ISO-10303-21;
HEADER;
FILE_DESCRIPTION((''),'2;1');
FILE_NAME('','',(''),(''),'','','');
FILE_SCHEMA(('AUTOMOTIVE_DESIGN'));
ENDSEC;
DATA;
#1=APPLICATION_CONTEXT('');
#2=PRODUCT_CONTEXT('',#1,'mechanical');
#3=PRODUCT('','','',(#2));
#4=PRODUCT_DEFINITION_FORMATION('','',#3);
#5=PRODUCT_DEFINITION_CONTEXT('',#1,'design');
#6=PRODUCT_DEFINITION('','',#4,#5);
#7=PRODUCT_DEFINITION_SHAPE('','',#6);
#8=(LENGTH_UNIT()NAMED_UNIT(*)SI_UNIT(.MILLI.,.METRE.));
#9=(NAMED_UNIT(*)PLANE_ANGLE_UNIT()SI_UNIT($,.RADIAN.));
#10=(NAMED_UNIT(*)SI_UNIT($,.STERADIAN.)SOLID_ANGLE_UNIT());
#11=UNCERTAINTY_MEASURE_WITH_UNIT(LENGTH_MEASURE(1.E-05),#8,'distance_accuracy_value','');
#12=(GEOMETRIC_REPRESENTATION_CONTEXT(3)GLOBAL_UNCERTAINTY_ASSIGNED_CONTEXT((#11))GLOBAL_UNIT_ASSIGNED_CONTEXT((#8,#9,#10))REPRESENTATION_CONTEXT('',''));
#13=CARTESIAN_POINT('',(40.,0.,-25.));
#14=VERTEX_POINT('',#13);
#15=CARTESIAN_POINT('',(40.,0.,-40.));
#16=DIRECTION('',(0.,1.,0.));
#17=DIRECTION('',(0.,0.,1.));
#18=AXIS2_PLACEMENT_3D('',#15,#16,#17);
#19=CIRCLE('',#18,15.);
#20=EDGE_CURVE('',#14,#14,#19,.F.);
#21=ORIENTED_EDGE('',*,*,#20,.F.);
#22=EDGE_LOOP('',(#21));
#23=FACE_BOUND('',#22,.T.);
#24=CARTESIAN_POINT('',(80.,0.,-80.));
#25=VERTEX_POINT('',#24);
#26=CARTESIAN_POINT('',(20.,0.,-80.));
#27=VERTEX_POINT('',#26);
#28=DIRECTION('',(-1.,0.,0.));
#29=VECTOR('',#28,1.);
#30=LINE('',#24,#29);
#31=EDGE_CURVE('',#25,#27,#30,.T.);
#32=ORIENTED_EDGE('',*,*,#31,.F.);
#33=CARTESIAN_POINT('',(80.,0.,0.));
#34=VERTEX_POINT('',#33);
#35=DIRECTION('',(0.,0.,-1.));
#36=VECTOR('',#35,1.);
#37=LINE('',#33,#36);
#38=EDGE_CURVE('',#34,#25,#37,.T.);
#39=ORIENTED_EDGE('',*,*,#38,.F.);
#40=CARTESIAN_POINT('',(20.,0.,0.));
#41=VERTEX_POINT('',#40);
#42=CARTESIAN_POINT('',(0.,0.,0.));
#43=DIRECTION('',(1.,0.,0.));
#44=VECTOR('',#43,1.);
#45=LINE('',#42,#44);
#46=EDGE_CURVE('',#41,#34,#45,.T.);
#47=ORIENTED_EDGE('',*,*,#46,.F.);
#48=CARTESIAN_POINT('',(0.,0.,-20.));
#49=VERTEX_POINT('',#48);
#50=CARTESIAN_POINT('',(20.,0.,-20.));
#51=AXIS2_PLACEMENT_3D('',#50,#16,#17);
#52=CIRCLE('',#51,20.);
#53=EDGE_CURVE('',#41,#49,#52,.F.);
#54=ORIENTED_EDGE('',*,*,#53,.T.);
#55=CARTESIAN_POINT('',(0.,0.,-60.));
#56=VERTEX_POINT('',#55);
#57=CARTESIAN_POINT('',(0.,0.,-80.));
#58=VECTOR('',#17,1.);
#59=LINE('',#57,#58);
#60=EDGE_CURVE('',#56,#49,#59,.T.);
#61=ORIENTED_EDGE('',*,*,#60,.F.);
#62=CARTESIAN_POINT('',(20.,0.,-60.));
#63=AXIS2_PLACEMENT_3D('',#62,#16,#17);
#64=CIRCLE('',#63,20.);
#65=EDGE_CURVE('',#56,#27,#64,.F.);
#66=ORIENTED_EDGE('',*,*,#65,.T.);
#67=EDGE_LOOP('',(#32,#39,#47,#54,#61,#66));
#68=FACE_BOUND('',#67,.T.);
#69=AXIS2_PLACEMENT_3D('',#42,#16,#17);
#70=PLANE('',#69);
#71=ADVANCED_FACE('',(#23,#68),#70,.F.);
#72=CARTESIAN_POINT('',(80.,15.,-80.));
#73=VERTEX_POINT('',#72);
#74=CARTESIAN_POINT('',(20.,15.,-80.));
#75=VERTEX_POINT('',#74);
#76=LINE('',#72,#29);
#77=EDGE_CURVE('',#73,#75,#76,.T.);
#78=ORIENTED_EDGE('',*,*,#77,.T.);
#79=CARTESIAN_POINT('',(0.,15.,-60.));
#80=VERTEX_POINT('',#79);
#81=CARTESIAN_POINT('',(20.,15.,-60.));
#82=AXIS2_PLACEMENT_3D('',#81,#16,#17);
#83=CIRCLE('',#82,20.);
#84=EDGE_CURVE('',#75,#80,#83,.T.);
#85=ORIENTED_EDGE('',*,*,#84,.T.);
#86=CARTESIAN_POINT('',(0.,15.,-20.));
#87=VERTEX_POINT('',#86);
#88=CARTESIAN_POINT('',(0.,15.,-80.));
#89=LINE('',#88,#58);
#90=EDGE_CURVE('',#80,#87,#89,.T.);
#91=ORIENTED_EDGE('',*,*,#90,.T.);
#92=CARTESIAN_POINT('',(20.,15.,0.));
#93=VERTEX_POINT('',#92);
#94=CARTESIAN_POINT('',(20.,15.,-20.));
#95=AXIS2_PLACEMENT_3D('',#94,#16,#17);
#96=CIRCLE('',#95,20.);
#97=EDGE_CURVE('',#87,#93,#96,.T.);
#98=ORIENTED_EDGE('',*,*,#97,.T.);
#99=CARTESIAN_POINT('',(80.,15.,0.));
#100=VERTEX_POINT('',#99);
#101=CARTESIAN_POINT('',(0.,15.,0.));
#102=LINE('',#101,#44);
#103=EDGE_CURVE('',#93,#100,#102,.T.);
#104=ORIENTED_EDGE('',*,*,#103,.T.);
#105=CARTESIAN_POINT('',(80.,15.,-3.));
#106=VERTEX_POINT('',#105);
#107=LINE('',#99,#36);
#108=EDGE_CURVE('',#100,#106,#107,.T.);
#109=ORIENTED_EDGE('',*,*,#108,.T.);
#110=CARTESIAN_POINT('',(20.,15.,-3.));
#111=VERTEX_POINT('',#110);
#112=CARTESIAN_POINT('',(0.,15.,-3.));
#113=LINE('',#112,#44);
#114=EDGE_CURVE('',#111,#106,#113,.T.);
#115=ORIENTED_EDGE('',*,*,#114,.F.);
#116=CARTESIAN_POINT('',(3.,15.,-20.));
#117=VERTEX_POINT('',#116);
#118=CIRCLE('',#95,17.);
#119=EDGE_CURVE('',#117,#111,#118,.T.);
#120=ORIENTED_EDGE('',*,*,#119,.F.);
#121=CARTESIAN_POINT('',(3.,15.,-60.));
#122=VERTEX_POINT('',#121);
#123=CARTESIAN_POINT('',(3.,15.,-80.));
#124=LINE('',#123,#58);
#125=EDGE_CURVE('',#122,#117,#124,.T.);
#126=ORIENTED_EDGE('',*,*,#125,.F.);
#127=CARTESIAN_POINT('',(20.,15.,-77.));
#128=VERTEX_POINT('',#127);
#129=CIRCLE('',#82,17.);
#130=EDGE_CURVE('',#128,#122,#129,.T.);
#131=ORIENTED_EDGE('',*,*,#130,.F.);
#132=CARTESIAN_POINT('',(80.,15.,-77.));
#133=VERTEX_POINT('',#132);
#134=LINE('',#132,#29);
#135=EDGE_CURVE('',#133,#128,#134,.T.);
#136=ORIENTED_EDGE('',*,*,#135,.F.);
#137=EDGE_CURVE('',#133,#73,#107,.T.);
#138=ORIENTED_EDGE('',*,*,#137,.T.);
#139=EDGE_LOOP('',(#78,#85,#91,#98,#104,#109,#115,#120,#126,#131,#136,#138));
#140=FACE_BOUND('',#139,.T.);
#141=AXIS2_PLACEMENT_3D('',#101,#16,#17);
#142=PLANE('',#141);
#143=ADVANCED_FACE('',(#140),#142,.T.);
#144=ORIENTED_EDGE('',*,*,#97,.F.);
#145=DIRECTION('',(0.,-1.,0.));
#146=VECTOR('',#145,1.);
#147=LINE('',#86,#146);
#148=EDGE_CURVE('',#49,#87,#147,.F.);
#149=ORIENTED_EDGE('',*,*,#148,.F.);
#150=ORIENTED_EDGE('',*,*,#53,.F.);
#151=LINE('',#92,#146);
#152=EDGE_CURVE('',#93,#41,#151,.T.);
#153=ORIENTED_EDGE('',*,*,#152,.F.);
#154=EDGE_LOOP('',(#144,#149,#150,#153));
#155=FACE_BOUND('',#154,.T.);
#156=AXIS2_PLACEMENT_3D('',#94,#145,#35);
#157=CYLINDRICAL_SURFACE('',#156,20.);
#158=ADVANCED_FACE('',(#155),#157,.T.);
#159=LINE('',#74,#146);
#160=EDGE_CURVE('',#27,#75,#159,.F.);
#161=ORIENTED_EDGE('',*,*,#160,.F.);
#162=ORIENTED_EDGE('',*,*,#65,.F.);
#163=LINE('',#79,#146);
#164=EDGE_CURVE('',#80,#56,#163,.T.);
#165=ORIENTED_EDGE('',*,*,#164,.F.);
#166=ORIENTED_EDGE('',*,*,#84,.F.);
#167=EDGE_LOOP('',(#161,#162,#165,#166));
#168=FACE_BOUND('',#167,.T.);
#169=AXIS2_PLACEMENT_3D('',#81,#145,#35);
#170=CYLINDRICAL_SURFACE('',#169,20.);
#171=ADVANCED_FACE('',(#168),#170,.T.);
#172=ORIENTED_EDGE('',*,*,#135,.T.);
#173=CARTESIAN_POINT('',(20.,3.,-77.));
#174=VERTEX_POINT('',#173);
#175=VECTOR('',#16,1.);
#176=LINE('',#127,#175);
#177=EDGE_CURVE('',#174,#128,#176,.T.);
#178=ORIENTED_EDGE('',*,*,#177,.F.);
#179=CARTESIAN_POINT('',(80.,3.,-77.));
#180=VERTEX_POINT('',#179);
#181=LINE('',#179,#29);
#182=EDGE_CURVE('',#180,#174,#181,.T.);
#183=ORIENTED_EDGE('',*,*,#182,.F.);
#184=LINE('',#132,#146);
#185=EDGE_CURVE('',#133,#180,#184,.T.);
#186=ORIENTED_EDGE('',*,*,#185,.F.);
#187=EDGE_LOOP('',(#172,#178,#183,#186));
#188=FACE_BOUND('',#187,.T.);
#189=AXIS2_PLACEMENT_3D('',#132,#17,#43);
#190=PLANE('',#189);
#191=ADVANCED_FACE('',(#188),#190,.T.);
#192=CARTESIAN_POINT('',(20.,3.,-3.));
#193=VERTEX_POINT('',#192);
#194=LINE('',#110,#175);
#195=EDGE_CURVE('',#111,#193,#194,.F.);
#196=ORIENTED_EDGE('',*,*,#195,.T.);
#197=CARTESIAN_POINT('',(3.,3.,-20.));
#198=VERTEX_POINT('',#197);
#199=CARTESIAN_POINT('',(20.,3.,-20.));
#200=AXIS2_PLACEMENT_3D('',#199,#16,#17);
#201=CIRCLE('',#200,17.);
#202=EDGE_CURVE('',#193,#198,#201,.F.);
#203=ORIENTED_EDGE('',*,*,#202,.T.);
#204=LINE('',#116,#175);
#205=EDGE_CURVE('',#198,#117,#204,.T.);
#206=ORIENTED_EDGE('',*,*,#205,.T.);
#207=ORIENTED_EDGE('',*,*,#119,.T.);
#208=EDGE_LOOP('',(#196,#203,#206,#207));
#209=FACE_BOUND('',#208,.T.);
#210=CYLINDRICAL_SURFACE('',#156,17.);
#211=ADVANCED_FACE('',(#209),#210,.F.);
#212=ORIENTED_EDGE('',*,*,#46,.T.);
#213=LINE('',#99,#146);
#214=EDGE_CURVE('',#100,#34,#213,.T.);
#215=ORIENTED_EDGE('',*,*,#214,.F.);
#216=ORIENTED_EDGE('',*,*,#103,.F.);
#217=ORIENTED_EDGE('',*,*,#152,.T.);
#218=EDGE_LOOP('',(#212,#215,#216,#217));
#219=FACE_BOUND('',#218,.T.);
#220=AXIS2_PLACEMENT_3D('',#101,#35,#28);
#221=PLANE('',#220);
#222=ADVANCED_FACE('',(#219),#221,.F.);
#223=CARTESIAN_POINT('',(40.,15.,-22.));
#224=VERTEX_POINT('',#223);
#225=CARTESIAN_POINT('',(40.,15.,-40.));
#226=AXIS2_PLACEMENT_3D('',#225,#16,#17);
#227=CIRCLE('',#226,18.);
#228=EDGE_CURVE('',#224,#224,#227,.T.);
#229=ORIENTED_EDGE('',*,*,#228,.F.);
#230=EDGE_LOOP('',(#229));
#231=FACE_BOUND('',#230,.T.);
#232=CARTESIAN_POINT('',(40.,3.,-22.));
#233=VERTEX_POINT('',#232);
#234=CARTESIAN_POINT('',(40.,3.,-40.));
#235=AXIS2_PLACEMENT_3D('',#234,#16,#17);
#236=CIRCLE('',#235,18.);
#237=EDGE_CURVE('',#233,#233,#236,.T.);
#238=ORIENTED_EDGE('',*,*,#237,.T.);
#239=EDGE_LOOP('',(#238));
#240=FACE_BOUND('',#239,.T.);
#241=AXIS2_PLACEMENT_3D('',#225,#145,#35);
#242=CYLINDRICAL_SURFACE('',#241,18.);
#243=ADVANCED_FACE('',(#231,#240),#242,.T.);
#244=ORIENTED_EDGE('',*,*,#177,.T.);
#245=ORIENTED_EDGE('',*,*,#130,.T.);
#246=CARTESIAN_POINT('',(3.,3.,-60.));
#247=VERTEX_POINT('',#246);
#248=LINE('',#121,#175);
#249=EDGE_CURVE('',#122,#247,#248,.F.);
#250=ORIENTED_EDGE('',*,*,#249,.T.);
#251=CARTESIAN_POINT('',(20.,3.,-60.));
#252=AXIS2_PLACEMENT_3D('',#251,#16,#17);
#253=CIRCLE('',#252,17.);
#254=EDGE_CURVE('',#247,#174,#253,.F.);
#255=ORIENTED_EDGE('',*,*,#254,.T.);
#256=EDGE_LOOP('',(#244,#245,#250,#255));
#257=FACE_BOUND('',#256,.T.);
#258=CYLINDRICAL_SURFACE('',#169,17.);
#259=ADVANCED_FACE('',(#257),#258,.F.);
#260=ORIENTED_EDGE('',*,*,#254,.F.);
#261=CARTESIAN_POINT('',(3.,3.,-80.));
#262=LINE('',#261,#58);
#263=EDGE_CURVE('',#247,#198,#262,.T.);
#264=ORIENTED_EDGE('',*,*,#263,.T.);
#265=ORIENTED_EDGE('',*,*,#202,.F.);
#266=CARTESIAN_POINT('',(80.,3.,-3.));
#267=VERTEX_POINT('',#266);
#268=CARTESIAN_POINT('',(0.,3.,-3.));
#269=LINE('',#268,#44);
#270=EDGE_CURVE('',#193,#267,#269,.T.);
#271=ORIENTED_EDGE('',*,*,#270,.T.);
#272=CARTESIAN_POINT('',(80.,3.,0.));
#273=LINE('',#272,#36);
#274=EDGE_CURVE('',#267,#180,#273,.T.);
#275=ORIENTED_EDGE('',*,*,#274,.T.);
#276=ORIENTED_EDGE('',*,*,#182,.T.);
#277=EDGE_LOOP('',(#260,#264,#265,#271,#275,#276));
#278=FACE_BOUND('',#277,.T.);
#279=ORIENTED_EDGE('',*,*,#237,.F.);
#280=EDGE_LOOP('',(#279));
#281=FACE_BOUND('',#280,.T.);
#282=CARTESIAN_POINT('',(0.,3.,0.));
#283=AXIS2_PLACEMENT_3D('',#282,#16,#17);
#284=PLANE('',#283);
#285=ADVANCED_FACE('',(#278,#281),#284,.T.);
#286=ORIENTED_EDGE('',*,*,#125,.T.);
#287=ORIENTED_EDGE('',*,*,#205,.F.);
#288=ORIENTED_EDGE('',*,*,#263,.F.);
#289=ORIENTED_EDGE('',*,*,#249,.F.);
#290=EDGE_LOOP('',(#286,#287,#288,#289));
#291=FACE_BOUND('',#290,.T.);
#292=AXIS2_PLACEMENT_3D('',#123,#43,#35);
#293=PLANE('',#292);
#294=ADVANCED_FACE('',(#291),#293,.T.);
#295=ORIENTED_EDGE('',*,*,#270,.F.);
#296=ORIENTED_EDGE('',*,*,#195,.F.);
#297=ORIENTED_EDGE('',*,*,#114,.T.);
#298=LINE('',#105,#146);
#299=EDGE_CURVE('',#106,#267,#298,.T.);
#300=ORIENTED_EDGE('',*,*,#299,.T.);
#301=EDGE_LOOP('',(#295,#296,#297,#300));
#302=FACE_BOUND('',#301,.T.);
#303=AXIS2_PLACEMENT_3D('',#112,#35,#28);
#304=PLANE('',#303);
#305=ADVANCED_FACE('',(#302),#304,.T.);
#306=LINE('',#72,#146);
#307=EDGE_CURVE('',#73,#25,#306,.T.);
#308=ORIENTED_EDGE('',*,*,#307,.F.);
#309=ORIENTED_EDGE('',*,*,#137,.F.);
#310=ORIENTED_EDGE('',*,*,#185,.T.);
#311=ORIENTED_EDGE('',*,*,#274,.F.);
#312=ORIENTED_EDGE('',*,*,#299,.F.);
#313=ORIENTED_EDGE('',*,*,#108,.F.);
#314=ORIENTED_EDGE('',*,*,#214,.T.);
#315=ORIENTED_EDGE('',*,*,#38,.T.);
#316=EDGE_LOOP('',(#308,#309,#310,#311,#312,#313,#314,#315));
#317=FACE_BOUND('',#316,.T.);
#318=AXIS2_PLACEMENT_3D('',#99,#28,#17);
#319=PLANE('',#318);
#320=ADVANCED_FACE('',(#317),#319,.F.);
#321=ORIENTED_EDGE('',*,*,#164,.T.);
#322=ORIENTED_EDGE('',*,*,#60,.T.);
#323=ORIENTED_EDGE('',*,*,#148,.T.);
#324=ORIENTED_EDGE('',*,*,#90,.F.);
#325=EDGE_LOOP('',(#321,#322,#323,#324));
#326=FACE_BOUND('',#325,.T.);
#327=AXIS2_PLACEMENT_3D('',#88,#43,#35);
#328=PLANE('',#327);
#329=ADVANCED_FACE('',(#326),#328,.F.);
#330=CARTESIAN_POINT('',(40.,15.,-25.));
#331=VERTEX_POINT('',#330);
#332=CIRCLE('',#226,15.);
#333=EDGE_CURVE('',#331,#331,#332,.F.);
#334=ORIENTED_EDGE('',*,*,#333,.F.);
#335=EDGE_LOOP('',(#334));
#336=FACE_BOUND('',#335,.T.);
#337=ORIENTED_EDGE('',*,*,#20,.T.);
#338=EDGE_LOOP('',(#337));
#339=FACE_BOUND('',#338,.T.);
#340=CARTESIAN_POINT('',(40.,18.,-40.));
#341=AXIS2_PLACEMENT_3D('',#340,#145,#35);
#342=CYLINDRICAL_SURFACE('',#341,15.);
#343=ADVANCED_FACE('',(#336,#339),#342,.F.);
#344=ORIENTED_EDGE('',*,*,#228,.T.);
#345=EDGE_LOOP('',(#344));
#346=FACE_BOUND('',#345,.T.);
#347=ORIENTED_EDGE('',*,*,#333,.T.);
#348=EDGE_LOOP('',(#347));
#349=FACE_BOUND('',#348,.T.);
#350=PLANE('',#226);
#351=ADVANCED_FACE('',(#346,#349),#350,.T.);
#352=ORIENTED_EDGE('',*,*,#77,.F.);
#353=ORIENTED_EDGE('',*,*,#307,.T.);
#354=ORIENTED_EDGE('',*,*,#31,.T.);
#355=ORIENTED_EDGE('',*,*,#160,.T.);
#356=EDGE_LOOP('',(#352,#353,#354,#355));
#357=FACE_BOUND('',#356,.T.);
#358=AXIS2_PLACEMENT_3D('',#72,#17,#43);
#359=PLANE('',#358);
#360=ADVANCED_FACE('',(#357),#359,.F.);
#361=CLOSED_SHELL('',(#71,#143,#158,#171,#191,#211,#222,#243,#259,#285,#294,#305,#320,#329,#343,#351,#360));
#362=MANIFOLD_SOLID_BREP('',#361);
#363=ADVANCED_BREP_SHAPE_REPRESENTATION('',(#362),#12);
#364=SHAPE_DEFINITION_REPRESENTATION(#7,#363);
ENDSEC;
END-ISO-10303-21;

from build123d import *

# Parameters (mm, degrees)
SKETCH_1_W               = 80
SKETCH_1_H               = 80
EXTRUDE_1_DEPTH          = 15
FILLET_1_R               = 20
SHELL_1_T                = -3
SKETCH_2_R               = 18
EXTRUDE_2_DEPTH          = 12
CUT_EXTRUDE_1_DEPTH      = 15
CUT_EXTRUDE_1_DEPTH_BACK = 15
SKETCH_2_3_R             = 15


with BuildPart() as part:
    # 스케치1 → 보스-돌출1 (new body)
    with BuildSketch(Plane(origin=(0, 0, 0), x_dir=(1, 0, 0), z_dir=(0, 1, 0))):
        with Locations((40, 40)):
            Rectangle(SKETCH_1_W, SKETCH_1_H)
    extrude(amount=EXTRUDE_1_DEPTH)

    # 필렛1
    fillet_1_edges = [part.edges().sort_by_distance(p)[0] for p in [
        (0, 7.5, -80),
        (0, 7.5, 0),
    ]]
    fillet(fillet_1_edges, radius=FILLET_1_R)

    # 쉘1
    shell_1_openings = [part.faces().sort_by_distance(p)[0] for p in [
        (80, 7.5, -40),
        (40.979445098, 15, -40),
    ]]
    offset(amount=SHELL_1_T, openings=shell_1_openings, kind=Kind.INTERSECTION)

    # 스케치2 → 보스-돌출2 (add)
    with BuildSketch(Plane(origin=(0, 3, 0), x_dir=(1, 0, 0), z_dir=(0, 1, 0))):
        with Locations((40, 40)):
            Circle(SKETCH_2_R)
    extrude(amount=EXTRUDE_2_DEPTH)

    # 스케치2<3> → 컷-돌출1 (cut, two sides: drawn at the far end of the back side and taken through both)
    with BuildSketch(Plane(origin=(0, 3, 0), x_dir=(1, 0, 0), z_dir=(0, 1, 0)).offset(-CUT_EXTRUDE_1_DEPTH_BACK)):
        with Locations((40, 40)):
            Circle(SKETCH_2_3_R)
    extrude(amount=CUT_EXTRUDE_1_DEPTH + CUT_EXTRUDE_1_DEPTH_BACK, mode=Mode.SUBTRACT)


solid = part.part
